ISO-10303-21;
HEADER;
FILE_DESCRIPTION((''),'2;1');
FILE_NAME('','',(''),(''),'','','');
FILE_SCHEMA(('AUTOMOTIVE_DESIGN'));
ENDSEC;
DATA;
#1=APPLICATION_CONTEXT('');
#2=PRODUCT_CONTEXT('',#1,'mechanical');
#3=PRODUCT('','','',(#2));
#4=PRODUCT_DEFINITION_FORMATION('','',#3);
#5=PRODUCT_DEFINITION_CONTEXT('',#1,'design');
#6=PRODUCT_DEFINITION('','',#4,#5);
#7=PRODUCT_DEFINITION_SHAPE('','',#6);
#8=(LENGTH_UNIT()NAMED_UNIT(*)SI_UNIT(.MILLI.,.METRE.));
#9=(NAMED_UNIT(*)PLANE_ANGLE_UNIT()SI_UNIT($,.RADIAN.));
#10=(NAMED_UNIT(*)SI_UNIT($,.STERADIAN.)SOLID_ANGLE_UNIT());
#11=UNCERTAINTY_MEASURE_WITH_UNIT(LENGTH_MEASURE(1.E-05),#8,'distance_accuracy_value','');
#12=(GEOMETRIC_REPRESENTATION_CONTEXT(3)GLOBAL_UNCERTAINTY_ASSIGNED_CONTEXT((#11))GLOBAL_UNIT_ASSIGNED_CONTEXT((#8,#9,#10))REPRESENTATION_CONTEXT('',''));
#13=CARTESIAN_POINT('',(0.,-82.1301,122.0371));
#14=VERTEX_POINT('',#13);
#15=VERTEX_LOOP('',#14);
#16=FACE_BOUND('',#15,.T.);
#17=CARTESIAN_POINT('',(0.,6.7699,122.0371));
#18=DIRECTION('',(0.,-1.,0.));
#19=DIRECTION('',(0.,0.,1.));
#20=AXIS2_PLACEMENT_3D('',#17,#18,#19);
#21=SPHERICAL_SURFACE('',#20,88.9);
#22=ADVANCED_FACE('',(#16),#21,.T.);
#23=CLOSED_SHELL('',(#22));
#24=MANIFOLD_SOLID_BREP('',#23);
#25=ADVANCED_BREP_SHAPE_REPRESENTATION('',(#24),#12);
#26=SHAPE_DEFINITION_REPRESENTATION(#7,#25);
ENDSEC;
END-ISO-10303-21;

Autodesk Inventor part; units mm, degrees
ref_plane "YZ Plane" through (0, 0, 0) normal (1, 0, 0) x (0, 1, 0)
ref_plane "XZ Plane" through (0, 0, 0) normal (0, 1, 0) x (-1, 0, 0)
ref_plane "XY Plane" through (0, 0, 0) normal (0, 0, 1) x (1, 0, 0)
sketch "Sketch1" plane through (0, 0, 0) normal (1, 0, 0) x (0, 1, 0)
  line L0 (95.6699, 122.0371) -> (-82.1301, 122.0371)
  arc A0 (95.6699, 122.0371) -> (-82.1301, 122.0371) centre (6.7699, 122.0371) ccw
  point P0 (0, 0)
  dimension "d0" = 177.8
revolve "Revolution1" add sketch "Sketch1" angle 360 about axis through (0, 95.6699, 122.0371) along (0, -1, 0)
properties part number "Ball"
